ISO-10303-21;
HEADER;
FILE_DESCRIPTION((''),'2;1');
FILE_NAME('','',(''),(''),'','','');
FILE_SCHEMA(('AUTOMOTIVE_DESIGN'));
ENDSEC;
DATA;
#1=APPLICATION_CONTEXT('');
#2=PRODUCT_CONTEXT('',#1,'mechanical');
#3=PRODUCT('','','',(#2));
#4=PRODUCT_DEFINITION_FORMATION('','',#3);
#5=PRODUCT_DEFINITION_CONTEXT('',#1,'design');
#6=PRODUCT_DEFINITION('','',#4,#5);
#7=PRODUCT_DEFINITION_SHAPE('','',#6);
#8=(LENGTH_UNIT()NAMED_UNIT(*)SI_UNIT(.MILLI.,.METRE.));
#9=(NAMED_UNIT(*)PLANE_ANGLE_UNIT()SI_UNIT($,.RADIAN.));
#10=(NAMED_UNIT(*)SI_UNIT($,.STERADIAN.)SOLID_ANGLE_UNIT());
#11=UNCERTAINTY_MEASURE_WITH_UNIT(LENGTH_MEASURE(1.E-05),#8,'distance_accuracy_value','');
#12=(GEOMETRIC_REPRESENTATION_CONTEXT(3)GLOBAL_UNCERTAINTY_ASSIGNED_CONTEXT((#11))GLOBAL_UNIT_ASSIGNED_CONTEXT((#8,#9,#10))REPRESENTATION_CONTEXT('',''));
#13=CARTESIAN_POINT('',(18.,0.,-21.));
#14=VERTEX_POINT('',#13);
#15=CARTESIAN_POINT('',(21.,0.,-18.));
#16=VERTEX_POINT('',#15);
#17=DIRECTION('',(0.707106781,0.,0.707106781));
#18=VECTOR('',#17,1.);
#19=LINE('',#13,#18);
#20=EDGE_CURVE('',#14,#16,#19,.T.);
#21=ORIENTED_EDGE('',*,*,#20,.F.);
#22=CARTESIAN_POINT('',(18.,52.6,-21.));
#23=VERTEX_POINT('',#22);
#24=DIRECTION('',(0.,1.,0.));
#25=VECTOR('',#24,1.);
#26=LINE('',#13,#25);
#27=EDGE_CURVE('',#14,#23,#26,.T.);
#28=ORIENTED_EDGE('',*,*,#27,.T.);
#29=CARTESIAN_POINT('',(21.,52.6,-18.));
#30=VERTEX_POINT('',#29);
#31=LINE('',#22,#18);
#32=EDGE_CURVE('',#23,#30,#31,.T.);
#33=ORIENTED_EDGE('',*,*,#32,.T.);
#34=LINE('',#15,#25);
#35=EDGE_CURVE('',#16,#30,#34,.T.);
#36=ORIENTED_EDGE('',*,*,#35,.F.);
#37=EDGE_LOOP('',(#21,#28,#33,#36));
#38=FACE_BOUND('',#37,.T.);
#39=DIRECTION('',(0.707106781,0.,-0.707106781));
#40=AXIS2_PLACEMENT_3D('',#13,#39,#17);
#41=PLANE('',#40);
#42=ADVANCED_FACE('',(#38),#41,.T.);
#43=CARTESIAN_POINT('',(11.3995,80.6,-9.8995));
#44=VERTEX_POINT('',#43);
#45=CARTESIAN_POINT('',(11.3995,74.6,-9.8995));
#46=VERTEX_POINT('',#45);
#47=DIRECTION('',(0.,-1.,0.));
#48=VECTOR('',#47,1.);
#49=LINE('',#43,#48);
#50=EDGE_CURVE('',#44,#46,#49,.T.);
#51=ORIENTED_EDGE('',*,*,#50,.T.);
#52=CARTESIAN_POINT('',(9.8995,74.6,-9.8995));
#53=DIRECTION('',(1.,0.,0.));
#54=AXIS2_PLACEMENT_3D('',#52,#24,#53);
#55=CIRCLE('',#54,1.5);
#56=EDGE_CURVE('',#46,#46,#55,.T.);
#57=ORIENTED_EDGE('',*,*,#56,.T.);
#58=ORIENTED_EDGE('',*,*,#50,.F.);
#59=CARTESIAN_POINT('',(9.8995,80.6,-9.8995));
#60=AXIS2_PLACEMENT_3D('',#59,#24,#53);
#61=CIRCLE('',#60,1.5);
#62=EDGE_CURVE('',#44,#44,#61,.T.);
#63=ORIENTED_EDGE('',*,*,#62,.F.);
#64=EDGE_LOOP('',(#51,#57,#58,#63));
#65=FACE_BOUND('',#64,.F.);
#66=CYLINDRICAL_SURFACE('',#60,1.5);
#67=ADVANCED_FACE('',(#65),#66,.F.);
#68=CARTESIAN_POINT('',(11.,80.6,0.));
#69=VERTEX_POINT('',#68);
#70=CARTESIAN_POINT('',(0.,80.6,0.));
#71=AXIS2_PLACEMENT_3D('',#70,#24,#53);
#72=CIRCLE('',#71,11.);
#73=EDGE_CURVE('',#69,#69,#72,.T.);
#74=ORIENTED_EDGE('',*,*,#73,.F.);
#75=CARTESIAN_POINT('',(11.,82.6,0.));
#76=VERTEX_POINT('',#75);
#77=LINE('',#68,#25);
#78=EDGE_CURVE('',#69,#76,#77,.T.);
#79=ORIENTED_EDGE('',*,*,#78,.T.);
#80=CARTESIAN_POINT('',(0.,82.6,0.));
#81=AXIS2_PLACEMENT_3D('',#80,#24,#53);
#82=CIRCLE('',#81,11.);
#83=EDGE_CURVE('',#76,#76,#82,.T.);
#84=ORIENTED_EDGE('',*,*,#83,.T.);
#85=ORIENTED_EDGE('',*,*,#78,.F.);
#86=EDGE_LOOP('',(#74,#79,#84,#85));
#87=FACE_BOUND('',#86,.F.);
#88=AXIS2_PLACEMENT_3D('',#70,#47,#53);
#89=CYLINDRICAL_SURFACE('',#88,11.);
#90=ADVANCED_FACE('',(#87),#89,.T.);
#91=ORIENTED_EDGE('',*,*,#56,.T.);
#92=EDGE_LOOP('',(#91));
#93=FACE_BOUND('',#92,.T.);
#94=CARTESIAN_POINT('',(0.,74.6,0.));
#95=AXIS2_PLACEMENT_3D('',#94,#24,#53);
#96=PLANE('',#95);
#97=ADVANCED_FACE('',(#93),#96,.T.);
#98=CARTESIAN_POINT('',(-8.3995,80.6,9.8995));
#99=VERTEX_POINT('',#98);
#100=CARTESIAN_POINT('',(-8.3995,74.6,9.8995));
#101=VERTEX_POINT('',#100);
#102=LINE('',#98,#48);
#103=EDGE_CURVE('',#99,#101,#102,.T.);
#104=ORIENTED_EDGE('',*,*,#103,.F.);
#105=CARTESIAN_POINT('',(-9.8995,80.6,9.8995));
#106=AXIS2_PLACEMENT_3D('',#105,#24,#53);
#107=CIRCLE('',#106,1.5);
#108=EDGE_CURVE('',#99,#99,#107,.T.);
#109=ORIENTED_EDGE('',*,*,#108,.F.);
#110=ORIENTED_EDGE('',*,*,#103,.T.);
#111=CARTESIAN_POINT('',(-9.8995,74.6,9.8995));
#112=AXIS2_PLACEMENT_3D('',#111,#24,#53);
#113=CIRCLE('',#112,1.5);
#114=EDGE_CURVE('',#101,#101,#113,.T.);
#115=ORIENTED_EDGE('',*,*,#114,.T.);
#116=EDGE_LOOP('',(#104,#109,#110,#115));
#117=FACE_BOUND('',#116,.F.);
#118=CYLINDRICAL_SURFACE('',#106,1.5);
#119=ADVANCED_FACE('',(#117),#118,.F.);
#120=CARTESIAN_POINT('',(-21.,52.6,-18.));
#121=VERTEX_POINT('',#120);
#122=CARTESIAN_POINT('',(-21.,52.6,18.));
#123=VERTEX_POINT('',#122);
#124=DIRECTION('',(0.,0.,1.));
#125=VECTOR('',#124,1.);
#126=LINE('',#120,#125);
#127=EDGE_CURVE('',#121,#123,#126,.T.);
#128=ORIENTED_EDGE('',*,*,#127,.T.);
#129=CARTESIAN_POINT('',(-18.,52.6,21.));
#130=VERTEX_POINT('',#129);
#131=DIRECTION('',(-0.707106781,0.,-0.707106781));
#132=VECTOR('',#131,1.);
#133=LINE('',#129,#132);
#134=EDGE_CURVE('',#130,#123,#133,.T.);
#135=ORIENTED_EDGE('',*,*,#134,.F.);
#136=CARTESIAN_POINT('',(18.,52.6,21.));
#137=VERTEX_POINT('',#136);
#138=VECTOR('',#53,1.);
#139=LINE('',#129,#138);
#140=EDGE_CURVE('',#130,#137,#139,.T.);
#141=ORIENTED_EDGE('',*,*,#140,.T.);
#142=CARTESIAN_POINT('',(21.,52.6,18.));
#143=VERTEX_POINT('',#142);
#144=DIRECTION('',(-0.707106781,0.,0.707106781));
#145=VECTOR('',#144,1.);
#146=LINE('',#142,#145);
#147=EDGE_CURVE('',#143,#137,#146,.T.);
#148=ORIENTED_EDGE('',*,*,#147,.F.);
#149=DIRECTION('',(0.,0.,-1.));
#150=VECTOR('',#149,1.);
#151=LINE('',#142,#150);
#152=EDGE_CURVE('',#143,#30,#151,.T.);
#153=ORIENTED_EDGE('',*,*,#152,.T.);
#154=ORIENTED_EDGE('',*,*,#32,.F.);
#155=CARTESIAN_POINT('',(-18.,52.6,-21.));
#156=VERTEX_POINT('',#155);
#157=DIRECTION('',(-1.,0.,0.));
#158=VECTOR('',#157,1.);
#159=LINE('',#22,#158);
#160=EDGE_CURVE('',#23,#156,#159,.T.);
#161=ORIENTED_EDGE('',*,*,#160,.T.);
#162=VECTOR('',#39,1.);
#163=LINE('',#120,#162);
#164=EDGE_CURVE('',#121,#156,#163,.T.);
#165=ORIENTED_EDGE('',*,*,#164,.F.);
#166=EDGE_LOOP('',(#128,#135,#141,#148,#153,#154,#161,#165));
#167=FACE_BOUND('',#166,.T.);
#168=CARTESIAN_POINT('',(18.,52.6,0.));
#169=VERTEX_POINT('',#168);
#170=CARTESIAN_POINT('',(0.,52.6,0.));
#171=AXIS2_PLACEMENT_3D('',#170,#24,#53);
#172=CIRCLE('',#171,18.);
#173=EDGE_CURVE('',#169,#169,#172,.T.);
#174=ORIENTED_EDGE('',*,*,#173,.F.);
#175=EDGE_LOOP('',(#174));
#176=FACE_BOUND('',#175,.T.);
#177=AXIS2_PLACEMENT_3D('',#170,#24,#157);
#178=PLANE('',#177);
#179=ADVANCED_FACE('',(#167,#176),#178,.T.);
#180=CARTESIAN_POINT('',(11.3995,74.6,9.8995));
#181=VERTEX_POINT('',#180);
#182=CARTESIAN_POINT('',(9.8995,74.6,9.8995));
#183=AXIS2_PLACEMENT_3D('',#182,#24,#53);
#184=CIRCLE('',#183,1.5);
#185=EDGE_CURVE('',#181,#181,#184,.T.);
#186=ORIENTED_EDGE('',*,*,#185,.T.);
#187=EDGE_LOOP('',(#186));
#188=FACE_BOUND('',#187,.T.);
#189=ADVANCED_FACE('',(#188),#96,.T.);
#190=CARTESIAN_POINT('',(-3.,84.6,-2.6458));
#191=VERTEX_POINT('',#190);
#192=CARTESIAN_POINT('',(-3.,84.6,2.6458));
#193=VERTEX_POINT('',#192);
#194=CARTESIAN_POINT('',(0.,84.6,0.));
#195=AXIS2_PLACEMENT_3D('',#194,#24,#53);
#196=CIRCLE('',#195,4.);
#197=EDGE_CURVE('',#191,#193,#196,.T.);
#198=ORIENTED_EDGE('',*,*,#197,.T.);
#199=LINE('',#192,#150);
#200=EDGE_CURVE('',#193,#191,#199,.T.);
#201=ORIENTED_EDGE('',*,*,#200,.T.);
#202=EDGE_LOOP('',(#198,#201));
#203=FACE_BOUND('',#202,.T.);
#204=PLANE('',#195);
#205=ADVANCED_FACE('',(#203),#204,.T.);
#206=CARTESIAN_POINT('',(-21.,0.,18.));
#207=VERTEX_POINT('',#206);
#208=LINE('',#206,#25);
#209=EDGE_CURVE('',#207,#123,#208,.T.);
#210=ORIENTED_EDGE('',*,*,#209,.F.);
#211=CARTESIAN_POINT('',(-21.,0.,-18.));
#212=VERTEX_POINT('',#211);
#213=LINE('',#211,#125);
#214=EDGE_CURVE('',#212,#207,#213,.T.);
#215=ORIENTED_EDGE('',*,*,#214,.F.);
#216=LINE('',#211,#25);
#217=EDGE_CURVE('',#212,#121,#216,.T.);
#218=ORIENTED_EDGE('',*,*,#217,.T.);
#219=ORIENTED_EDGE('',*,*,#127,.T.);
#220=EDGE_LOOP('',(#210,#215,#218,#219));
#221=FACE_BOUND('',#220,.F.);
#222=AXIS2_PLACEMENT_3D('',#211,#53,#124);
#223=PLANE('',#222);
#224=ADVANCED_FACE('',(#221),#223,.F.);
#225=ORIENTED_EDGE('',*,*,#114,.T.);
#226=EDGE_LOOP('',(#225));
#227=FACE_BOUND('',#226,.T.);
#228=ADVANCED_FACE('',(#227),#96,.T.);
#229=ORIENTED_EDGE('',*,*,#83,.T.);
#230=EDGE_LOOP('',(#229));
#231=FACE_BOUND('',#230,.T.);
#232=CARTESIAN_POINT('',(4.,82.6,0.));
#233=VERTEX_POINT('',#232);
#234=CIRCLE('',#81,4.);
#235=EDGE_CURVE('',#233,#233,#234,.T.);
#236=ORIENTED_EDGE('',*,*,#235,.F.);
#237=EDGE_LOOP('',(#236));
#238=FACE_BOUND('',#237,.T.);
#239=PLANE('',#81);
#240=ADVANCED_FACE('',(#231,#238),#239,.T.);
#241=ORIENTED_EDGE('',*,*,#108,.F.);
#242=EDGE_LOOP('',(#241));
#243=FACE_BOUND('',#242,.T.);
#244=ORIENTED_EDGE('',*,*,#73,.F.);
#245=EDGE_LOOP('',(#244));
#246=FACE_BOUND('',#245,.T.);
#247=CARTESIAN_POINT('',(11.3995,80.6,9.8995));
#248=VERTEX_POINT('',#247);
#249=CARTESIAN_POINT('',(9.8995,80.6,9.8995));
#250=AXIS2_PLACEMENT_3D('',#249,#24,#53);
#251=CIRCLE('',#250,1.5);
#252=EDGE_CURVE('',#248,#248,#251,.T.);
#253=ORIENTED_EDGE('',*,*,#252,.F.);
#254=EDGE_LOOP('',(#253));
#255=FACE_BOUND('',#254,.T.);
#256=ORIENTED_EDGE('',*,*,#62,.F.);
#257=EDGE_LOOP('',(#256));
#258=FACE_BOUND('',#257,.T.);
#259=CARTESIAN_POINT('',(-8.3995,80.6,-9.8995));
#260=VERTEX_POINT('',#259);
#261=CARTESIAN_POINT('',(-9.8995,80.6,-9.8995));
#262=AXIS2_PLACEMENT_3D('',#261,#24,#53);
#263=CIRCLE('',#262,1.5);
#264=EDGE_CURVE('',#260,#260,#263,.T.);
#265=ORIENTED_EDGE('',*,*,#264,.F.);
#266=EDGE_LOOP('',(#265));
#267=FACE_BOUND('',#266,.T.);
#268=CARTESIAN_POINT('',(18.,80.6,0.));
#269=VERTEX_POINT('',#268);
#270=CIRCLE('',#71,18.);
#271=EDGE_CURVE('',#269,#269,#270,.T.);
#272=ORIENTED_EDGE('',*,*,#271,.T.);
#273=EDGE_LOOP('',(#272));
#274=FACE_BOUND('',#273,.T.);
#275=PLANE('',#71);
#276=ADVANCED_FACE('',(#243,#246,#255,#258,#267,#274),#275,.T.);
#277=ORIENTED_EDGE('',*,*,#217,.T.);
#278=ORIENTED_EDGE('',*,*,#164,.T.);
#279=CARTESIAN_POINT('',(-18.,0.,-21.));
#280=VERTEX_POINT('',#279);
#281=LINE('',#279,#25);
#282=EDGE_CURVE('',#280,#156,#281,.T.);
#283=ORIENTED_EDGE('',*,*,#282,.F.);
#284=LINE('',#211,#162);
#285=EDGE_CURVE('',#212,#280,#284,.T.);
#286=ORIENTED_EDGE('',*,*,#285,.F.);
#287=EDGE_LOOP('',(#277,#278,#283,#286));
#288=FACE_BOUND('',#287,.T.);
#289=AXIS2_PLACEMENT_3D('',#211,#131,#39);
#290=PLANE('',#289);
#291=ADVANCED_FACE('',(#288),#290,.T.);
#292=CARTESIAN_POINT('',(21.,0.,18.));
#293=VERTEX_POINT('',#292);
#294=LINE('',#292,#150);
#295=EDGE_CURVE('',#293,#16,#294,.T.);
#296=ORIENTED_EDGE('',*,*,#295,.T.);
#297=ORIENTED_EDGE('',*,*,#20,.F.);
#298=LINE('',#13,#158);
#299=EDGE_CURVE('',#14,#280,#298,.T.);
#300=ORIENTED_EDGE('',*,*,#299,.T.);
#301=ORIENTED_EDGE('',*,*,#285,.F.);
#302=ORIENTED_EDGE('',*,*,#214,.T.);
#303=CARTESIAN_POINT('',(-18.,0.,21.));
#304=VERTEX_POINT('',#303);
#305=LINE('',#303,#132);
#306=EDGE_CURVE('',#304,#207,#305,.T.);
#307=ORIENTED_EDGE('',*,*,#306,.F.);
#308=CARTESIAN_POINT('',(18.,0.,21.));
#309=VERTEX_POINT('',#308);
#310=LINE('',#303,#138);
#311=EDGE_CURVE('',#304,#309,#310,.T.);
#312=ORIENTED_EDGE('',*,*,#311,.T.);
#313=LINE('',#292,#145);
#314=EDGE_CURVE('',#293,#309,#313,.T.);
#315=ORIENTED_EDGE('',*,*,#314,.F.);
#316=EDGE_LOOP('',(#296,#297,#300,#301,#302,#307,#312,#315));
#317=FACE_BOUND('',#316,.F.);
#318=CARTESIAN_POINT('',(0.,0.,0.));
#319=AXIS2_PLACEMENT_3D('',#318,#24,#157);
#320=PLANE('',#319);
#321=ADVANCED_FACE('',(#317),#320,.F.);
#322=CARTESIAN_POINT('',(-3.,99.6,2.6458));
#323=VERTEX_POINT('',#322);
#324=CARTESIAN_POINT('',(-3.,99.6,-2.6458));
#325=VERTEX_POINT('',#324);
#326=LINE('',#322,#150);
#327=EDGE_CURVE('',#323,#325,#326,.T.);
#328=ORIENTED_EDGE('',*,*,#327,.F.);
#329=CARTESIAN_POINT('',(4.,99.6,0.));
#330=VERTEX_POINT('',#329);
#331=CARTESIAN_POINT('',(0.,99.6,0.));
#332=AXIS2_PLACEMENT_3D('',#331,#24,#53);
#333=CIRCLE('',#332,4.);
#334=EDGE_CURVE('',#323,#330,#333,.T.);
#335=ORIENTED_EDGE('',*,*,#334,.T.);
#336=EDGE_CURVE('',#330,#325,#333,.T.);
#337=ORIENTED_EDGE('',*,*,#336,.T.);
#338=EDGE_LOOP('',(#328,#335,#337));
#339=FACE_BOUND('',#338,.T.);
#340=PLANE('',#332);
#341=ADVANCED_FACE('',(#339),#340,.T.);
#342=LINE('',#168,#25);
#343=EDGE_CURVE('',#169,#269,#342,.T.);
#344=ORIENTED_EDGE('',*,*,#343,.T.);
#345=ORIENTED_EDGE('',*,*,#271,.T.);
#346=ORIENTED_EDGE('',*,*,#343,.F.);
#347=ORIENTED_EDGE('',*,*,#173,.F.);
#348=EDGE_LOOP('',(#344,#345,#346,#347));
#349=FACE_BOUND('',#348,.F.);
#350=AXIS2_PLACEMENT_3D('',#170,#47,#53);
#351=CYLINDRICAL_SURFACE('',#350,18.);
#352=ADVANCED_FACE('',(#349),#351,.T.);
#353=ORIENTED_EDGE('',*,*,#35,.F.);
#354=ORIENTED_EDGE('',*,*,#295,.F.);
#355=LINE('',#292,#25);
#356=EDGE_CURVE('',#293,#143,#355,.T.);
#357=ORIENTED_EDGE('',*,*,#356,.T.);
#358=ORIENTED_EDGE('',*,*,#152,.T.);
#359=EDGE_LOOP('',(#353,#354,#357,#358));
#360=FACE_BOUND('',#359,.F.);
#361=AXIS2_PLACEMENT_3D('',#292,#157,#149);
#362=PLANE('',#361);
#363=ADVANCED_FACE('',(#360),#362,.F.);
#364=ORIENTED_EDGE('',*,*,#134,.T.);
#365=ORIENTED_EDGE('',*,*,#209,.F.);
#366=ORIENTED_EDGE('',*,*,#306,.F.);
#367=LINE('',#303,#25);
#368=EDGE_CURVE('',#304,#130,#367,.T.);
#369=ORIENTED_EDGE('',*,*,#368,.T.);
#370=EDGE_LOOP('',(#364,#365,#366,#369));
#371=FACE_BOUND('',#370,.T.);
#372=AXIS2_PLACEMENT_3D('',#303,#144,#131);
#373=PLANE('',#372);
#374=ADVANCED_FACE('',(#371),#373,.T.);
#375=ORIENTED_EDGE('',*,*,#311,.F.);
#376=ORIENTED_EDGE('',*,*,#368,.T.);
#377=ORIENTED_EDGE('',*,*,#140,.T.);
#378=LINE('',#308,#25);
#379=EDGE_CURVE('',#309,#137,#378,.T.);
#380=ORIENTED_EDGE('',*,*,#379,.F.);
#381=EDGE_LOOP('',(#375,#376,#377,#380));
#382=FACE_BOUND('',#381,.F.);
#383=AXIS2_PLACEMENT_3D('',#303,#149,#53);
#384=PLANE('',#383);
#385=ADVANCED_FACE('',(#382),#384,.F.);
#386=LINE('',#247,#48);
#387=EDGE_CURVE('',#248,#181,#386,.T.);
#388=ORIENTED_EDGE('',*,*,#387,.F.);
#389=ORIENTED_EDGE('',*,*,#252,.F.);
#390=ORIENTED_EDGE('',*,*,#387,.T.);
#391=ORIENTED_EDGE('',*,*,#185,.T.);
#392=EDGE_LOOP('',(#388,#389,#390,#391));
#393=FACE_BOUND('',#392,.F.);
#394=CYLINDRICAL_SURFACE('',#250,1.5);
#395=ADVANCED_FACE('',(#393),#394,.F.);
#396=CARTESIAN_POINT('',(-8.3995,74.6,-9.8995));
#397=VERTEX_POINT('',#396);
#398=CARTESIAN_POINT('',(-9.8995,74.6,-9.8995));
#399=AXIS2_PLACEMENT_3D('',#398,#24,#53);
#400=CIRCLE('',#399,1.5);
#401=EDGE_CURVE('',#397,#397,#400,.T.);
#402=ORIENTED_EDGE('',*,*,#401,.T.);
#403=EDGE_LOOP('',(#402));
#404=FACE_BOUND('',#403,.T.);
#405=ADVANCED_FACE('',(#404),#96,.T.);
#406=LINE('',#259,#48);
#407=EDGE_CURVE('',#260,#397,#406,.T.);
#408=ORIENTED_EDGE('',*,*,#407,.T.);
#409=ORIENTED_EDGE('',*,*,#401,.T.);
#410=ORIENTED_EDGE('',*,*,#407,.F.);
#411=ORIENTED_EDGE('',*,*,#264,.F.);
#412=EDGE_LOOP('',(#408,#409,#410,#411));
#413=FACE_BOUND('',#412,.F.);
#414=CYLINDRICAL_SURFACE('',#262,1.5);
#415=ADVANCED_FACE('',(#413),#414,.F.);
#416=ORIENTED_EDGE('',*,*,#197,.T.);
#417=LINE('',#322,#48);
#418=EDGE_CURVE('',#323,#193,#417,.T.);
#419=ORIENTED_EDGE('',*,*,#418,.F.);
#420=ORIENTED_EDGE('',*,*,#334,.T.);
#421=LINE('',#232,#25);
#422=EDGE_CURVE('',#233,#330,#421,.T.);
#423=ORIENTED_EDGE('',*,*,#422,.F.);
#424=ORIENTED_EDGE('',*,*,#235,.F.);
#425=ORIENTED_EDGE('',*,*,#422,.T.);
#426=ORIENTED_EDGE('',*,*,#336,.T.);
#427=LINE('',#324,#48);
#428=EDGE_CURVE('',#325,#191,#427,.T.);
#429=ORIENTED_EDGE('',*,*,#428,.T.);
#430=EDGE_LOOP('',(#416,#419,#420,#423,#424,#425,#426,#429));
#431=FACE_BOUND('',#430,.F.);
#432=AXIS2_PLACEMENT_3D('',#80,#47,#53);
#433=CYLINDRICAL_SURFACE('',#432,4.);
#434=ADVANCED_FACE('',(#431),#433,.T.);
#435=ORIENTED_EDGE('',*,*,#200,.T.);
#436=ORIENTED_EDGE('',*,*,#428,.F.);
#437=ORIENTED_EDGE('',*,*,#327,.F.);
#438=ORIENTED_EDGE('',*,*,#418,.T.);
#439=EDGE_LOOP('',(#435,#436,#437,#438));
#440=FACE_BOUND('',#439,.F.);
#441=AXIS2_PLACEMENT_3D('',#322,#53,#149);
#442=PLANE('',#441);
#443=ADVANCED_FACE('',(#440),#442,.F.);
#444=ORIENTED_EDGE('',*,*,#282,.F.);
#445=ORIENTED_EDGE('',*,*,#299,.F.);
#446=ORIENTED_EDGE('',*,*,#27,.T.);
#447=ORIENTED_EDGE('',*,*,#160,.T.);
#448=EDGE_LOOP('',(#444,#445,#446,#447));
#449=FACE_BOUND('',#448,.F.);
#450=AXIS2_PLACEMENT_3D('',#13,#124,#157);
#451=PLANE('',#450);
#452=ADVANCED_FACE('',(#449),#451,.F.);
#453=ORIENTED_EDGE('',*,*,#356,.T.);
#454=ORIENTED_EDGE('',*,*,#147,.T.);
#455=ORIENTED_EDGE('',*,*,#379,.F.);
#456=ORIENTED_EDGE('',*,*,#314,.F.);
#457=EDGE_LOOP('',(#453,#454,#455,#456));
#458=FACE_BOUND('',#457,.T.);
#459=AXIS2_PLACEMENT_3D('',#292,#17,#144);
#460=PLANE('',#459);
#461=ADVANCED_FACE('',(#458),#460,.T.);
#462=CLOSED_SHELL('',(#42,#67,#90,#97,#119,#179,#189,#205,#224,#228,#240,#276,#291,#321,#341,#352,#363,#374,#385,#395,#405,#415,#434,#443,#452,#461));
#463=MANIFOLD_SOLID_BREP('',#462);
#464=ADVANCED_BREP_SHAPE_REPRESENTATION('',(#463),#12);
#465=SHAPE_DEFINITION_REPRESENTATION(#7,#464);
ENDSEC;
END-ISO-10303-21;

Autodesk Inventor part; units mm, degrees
ref_plane "YZ Plane" through (0, 0, 0) normal (1, 0, 0) x (0, 1, 0)
ref_plane "XZ Plane" through (0, 0, 0) normal (0, 1, 0) x (-1, 0, 0)
ref_plane "XY Plane" through (0, 0, 0) normal (0, 0, 1) x (1, 0, 0)
sketch "草圖1" plane through (0, 0, 0) normal (0, 1, 0) x (-1, 0, 0)
  line L0 (18, 21) -> (-18, 21)
  line L1 (-21, 18) -> (-21, -18)
  line L2 (-18, -21) -> (18, -21)
  line L3 (21, -18) -> (21, 18)
  line L4 (21, 21) -> (-21, -21) construction
  line L5 (-21, 21) -> (21, -21) construction
  line L6 (21, -18) -> (18, -21)
  line L7 (-18, -21) -> (-21, -18)
  line L8 (-21, 18) -> (-18, 21)
  line L9 (18, 21) -> (21, 18)
  point P0 (0, 0)
  dimension "d0" = 42
  dimension "d1" = 42
  dimension "d2" = 3
  dimension "d3" = 3
  dimension "d4" = 3
  dimension "d5" = 3
  dimension "d6" = 3
  dimension "d7" = 3
  dimension "d8" = 3
  dimension "d9" = 3
extrude "擠出1" add sketch "草圖1" along normal blind 52.6
sketch "草圖2" plane through (0, 52.6, 0) normal (0, 1, 0) x (1, 0, 0)
  circle A0 centre (0, 0) radius 18
  dimension "d12" = 36
extrude "擠出2" add sketch "草圖2" along normal blind 28
sketch "草圖3" plane through (0, 80.6, 0) normal (0, 1, 0) x (1, 0, 0)
  circle A0 centre (0, 0) radius 14 construction
  circle A1 centre (0, 0) radius 11
  line L0 (0, 0) -> (-19.5, -19.5) construction
  line L1 (-21, -18) -> (-18, -21) projected
  circle A2 centre (-9.8995, -9.8995) radius 1.5
  circle A3 centre (9.8995, -9.8995) radius 1.5
  circle A4 centre (9.8995, 9.8995) radius 1.5
  circle A5 centre (-9.8995, 9.8995) radius 1.5
  dimension "d15" = 28
  dimension "d16" = 22
  dimension "d18" = 3
  dimension "d21" = 360
extrude "擠出3" cut sketch "草圖3" against normal blind 6 contours A2 | A3 | A4 | A5
extrude "擠出4" add sketch "草圖3" along normal blind 2 contours A1
sketch "草圖4" plane through (0, 82.6, 0) normal (0, 1, 0) x (1, 0, 0)
  circle A0 centre (0, 0) radius 4
  dimension "d27" = 8
extrude "擠出5" add sketch "草圖4" along normal blind 17
sketch "草圖5" plane through (0, 99.6, 0) normal (0, 1, 0) x (1, 0, 0)
  circle A0 centre (0, 0) radius 4 projected
  line L0 (-3, -2.6458) -> (-3, 2.6458)
  dimension "d30" = 7
extrude "擠出6" cut sketch "草圖5" against normal blind 15 contours L0 A0 picked at (-3.1815, -0.6179)
sketch "草圖7" plane through (0, 0, 0) normal (0, -1, 0) x (1, 0, 0)
  point P0 (0, 0)
  point P1 (0, 0)
equation "\"d3\" = d2"
equation "\"d4\" = d2"
equation "\"d5\" = d4"
equation "\"d6\" = d2"
equation "\"d7\" = d6"
equation "\"d8\" = d2"
equation "\"d9\" = d8"
properties part number "stepper 42-27"
